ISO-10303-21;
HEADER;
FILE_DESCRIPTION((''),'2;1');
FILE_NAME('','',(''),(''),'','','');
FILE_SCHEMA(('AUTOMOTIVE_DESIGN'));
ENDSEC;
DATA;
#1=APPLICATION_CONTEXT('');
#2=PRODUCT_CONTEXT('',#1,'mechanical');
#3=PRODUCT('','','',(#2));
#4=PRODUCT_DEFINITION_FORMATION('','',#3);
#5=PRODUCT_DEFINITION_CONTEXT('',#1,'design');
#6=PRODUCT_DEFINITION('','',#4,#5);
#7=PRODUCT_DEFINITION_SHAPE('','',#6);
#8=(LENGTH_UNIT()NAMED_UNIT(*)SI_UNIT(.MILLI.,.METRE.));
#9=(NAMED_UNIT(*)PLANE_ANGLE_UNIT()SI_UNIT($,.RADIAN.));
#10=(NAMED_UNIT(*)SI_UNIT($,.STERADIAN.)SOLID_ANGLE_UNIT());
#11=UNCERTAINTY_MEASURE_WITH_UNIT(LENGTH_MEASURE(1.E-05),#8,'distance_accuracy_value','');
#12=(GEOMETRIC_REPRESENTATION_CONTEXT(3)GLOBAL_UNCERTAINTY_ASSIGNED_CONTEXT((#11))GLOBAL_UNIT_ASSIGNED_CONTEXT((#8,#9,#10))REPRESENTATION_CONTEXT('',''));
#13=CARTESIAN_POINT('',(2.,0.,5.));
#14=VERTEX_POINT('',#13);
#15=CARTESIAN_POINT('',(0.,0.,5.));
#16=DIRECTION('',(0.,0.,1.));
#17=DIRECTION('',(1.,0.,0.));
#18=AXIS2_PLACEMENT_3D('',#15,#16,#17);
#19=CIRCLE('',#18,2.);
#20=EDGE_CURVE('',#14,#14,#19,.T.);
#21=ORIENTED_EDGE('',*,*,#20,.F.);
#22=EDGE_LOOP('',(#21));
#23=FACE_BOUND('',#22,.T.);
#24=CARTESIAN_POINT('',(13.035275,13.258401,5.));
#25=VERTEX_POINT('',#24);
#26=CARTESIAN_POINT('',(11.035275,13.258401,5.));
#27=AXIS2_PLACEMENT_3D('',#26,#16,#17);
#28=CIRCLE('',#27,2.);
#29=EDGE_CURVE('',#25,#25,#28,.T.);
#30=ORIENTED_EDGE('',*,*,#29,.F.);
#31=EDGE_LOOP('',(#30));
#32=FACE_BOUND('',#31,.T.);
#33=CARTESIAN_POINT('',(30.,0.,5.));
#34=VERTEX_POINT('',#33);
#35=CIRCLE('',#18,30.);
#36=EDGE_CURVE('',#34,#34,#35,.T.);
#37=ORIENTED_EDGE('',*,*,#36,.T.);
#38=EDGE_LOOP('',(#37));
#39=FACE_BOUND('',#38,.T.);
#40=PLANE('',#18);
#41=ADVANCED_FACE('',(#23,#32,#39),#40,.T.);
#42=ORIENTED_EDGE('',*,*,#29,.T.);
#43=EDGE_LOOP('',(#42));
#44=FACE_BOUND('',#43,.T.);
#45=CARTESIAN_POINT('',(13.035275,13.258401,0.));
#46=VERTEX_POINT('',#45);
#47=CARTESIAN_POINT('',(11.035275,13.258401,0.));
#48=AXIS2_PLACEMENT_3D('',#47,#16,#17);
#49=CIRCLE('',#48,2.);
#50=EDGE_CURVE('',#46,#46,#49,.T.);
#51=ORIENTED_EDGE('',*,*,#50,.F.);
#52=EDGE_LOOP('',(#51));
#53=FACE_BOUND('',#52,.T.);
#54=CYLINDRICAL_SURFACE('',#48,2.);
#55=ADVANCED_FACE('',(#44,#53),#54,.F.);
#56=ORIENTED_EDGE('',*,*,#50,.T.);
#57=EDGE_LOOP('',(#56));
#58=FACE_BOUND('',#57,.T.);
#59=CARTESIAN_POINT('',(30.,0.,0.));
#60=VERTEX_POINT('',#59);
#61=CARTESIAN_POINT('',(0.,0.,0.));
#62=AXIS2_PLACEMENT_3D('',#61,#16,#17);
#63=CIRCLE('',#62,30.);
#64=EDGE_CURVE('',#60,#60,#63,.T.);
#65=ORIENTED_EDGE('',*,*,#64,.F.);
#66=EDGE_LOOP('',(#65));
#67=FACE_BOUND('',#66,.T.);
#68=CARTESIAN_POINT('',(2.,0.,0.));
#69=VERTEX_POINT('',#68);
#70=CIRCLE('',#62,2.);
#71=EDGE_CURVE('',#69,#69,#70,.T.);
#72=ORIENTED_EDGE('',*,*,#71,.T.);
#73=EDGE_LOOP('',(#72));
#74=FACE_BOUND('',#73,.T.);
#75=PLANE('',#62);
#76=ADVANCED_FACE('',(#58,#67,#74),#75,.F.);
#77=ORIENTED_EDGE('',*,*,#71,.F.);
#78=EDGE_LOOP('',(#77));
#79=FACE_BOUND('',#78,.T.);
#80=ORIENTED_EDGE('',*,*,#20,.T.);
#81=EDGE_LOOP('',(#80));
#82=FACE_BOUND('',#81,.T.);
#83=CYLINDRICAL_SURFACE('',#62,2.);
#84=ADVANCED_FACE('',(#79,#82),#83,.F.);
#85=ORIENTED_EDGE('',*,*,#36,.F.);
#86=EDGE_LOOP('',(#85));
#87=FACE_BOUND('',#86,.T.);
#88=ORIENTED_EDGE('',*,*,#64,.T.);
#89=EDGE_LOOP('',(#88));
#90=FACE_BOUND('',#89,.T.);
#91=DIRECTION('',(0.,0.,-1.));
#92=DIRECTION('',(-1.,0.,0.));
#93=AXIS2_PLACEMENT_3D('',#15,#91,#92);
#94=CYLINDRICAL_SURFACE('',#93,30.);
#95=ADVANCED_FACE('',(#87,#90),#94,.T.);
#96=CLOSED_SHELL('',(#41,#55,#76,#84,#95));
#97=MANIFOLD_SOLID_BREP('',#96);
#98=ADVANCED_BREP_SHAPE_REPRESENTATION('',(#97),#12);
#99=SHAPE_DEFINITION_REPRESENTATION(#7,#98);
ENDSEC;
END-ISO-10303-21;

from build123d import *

# Parameters (mm, degrees)
SKETCH_1_R          = 30
EXTRUDE_1_DEPTH     = 5
SKETCH_2_R          = 2
CUT_EXTRUDE_1_DEPTH = 5


with BuildPart() as part:
    # 草图1 → 凸台-拉伸1 (new body)
    with BuildSketch(Plane.XY):
        Circle(SKETCH_1_R)
    extrude(amount=EXTRUDE_1_DEPTH)

    # 草图2 → 切除-拉伸1 (cut)
    with BuildSketch(Plane.XY.offset(5)):
        Circle(SKETCH_2_R)
        with Locations((11.035275263, 13.258401105)):
            Circle(SKETCH_2_R)
    extrude(amount=-CUT_EXTRUDE_1_DEPTH, mode=Mode.SUBTRACT)


solid = part.part
